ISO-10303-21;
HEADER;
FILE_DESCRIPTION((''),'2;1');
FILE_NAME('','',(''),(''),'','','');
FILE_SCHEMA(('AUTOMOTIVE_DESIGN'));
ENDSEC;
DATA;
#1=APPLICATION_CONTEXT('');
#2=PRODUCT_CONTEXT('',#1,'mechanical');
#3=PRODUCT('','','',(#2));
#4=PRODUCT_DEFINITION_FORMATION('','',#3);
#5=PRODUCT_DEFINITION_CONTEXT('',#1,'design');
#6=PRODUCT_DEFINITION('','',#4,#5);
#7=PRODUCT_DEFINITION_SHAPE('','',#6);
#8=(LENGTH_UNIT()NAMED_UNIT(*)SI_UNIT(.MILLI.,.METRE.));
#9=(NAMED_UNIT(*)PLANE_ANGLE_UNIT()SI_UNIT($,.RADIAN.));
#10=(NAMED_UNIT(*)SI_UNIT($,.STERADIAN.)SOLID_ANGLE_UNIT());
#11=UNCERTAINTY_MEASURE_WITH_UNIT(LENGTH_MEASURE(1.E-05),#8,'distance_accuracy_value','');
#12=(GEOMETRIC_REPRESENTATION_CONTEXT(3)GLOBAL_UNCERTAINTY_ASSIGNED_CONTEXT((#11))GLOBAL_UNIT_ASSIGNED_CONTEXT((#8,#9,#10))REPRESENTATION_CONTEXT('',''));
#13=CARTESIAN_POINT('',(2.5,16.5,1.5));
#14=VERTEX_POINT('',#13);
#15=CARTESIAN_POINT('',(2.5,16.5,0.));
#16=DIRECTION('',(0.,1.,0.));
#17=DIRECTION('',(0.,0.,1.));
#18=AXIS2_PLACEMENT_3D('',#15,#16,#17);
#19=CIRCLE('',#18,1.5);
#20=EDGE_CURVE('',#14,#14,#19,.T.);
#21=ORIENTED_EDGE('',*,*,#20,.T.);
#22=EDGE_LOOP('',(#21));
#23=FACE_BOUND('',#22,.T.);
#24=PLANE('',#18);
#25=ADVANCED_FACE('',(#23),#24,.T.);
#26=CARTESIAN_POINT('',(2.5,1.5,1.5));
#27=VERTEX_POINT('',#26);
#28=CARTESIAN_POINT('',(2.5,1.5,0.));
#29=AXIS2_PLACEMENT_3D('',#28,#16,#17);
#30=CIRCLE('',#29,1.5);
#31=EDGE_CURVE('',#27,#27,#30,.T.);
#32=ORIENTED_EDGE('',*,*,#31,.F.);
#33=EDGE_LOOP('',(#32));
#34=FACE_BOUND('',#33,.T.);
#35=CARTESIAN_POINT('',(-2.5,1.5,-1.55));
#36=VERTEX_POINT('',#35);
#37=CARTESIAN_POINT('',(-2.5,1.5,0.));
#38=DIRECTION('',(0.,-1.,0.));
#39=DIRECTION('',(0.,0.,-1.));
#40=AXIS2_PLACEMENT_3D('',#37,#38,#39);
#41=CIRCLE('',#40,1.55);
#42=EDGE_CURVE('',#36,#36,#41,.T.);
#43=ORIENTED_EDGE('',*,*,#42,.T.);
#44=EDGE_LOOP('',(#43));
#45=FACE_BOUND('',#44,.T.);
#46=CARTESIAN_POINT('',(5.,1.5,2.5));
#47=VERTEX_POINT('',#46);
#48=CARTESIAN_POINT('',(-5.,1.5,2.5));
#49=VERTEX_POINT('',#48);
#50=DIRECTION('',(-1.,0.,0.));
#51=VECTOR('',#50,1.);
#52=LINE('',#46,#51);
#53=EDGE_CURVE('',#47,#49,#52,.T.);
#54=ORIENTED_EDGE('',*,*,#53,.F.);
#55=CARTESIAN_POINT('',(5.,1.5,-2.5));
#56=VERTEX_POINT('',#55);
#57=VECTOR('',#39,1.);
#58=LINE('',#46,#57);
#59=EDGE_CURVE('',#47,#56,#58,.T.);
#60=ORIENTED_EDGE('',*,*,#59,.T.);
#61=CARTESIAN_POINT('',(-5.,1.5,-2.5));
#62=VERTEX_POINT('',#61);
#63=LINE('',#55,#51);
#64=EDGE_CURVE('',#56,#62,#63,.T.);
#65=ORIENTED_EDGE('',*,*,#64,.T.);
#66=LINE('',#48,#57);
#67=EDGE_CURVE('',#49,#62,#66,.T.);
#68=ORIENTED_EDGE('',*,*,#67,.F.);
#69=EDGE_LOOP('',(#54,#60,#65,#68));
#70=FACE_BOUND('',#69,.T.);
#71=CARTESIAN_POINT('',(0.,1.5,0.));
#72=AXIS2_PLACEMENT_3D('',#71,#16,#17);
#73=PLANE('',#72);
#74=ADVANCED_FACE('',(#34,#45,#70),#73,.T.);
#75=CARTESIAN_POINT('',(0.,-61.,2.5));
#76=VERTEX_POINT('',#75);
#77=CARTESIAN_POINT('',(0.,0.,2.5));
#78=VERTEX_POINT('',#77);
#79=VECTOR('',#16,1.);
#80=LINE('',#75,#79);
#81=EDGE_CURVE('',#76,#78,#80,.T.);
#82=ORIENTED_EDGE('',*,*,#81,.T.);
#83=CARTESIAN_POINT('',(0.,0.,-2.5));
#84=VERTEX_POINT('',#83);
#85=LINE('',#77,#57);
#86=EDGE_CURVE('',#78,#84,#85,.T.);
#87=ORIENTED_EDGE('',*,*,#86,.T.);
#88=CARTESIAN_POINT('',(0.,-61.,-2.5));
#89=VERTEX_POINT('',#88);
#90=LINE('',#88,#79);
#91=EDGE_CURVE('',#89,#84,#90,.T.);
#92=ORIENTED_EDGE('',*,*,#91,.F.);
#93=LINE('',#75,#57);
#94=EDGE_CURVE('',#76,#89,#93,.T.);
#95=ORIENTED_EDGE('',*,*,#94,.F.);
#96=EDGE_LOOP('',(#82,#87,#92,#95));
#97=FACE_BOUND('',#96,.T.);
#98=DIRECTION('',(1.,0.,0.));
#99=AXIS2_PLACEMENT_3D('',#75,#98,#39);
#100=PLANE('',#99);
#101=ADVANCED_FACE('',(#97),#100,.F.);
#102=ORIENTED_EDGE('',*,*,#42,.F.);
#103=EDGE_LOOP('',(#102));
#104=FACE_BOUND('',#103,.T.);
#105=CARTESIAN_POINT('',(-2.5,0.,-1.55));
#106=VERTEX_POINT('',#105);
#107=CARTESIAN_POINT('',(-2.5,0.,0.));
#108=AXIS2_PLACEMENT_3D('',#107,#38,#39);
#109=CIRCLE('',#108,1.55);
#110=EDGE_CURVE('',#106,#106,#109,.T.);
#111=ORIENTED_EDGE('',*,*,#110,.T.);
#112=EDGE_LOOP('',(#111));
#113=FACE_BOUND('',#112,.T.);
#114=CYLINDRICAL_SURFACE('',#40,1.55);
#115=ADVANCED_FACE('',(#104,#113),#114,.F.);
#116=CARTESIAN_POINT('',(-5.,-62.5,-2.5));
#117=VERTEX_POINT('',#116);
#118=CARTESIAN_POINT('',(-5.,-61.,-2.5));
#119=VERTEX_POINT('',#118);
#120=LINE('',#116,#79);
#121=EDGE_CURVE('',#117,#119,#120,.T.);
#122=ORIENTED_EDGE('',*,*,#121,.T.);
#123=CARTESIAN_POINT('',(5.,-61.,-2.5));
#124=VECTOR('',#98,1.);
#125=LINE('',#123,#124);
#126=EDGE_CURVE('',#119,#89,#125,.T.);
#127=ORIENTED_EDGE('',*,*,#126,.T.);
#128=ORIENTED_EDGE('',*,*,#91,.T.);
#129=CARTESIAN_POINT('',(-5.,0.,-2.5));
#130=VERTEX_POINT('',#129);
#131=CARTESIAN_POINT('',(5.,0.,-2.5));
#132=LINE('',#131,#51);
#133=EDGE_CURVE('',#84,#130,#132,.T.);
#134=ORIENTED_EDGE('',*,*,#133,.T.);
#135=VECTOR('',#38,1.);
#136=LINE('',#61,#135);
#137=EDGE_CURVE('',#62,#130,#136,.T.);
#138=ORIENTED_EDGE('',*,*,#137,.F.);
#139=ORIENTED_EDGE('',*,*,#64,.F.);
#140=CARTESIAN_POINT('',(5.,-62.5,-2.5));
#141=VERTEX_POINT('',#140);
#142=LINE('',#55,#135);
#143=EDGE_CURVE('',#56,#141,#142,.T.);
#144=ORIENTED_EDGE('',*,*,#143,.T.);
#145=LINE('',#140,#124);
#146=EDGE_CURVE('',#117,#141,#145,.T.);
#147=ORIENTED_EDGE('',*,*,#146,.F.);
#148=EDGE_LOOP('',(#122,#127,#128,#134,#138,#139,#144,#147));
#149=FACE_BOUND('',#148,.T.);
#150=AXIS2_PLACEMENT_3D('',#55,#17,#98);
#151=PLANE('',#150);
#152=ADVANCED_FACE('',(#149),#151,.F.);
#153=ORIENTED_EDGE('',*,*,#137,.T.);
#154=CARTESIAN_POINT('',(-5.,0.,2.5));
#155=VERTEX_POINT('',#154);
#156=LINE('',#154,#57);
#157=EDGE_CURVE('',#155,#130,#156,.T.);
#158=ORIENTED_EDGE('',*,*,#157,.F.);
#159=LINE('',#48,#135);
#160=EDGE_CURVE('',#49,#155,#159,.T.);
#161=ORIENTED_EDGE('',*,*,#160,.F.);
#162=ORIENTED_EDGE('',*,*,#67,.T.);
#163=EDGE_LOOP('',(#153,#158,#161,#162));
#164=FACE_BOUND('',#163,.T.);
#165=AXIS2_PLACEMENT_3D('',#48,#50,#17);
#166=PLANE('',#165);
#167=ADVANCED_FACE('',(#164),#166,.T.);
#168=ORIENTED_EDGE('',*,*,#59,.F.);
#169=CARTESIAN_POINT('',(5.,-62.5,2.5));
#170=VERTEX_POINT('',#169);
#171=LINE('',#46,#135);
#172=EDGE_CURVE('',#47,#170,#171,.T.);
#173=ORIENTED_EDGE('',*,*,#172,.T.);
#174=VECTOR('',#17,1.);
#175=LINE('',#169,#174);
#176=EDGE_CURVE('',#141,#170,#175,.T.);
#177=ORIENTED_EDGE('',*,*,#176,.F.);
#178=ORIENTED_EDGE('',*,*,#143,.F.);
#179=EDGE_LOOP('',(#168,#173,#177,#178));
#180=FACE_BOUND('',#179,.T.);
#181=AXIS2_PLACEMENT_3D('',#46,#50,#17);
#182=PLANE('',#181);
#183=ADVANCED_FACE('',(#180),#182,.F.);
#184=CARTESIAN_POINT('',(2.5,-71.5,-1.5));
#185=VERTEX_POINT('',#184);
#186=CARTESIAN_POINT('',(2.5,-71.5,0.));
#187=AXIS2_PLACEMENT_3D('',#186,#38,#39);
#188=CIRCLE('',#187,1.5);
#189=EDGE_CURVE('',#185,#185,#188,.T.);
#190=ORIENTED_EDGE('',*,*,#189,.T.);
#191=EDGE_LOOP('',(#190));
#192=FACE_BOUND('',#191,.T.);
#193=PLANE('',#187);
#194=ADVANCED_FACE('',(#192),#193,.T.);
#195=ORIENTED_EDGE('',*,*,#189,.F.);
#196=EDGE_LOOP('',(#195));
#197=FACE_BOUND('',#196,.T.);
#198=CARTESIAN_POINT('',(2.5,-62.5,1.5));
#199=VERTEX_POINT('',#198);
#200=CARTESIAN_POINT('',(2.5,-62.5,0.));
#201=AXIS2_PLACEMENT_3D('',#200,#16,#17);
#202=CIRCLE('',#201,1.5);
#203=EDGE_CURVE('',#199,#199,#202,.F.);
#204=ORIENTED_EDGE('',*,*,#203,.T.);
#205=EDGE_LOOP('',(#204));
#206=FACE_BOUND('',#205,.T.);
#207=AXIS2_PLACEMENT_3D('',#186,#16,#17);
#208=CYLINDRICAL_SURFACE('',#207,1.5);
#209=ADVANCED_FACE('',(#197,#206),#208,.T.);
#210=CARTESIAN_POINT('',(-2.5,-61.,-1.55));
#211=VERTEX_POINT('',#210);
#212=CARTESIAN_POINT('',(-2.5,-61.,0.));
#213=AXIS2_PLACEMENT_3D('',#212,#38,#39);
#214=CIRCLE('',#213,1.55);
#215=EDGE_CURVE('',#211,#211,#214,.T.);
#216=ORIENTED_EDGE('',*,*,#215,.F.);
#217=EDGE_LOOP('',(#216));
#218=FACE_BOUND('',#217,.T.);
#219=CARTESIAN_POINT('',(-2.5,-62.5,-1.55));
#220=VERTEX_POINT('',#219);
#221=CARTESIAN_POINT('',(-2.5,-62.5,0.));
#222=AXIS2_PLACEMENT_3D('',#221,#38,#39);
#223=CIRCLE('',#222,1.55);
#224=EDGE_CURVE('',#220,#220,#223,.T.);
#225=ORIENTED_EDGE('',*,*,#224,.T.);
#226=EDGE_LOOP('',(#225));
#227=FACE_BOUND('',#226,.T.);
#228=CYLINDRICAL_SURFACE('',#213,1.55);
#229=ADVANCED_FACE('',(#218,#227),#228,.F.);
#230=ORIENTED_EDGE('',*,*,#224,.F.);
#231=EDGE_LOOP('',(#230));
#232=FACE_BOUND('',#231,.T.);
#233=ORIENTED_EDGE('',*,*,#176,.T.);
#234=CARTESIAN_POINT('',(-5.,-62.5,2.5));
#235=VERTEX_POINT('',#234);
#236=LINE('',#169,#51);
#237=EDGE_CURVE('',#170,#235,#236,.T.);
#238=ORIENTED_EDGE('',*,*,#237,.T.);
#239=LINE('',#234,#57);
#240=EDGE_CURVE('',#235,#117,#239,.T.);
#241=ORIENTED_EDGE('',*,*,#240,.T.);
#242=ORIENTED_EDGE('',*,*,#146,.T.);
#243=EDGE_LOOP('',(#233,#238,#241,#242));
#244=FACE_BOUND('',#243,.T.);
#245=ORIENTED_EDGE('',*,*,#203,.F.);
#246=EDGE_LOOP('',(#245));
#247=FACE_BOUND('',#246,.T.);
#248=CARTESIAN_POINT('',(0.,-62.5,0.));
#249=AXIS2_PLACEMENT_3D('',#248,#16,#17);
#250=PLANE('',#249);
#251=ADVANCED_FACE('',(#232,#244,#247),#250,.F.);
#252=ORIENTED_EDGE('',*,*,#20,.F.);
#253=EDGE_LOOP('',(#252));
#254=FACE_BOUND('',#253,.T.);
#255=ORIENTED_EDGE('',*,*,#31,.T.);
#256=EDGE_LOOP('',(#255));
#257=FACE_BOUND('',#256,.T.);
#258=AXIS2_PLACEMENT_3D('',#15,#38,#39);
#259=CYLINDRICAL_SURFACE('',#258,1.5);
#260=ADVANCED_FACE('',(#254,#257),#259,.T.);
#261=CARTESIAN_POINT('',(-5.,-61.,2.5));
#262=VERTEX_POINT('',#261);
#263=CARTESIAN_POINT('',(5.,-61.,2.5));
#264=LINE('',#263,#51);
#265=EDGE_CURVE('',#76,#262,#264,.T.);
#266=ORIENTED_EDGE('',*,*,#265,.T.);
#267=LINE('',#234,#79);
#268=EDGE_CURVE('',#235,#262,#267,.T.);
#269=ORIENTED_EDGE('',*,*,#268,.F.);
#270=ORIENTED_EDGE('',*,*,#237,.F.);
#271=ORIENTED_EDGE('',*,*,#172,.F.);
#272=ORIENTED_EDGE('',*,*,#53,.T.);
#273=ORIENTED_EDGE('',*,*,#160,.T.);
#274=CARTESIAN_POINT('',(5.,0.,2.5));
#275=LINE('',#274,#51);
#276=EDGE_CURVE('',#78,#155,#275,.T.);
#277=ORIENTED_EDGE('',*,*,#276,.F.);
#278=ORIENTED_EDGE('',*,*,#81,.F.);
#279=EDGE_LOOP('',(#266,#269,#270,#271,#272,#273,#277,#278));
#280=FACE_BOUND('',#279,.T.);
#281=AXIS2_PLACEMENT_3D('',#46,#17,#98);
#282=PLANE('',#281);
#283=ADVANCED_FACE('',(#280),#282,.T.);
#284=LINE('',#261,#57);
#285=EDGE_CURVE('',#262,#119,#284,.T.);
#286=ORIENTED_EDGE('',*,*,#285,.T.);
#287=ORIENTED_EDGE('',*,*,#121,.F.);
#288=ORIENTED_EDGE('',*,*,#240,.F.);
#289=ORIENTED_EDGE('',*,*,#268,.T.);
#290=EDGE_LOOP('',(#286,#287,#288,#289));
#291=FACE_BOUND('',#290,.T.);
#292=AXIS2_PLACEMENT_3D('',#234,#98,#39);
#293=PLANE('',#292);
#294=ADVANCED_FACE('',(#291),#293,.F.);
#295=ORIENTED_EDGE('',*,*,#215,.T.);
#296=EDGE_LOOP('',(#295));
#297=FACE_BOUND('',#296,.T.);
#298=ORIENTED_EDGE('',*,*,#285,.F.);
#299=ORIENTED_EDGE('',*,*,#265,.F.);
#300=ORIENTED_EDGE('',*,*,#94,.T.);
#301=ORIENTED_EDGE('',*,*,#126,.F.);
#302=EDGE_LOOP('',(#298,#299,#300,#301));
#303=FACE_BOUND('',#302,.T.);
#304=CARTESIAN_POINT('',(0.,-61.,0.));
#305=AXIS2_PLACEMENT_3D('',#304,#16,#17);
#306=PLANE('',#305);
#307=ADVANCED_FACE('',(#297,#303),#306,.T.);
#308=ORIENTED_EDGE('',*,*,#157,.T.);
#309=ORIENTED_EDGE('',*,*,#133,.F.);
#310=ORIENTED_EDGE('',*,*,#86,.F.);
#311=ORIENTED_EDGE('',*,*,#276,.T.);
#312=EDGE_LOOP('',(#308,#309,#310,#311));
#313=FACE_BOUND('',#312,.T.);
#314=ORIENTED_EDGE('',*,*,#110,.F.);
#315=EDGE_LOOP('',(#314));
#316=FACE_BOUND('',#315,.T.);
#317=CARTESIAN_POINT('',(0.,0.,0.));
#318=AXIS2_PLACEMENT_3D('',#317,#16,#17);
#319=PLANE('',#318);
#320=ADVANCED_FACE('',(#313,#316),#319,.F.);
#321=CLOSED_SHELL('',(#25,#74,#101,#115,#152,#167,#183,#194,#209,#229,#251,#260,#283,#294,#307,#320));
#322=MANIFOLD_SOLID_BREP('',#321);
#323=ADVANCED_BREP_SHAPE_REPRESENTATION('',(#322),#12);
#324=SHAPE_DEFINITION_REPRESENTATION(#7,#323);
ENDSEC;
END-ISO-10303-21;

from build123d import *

# Parameters (mm, degrees)
SKETCH_2_W          = 10
SKETCH_2_H          = 5
EXTRUDE_1_DEPTH     = 1.5
SKETCH_3_R          = 1.55
CUT_EXTRUDE_1_DEPTH = 1.5
SKETCH_4_W          = 5
SKETCH_4_H          = 5
EXTRUDE_2_DEPTH     = 61
SKETCH_5_W          = 10
SKETCH_5_H          = 5
EXTRUDE_3_DEPTH     = 1.5
SKETCH_6_R          = 1.55
CUT_EXTRUDE_2_DEPTH = 1.5
SKETCH_7_R          = 1.5
EXTRUDE_4_DEPTH     = 15
EXTRUDE_START       = 9
SKETCH_11_R         = 1.5
EXTRUDE_5_DEPTH     = 9


with BuildPart() as part:
    # 草图2 → 凸台-拉伸1 (new body)
    with BuildSketch(Plane(origin=(0, 0, 0), x_dir=(1, 0, 0), z_dir=(0, 1, 0))):
        Rectangle(SKETCH_2_W, SKETCH_2_H)
    extrude(amount=EXTRUDE_1_DEPTH)

    # 草图3 → 切除-拉伸1 (cut)
    with BuildSketch(Plane.XZ):
        with Locations(Location((-2.5, 0, 0), (0, 0, 270))):
            Circle(SKETCH_3_R)
    extrude(amount=-CUT_EXTRUDE_1_DEPTH, mode=Mode.SUBTRACT)

    # 草图4 → 凸台-拉伸2 (add)
    with BuildSketch(Plane.XZ):
        with Locations((2.5, 0)):
            Rectangle(SKETCH_4_W, SKETCH_4_H)
    extrude(amount=EXTRUDE_2_DEPTH)

    # 草图5 → 凸台-拉伸3 (add)
    with BuildSketch(Plane.XZ.offset(61)):
        Rectangle(SKETCH_5_W, SKETCH_5_H)
    extrude(amount=EXTRUDE_3_DEPTH)

    # 草图6 → 切除-拉伸2 (cut)
    with BuildSketch(Plane.XZ.offset(62.5)):
        with Locations(Location((-2.5, 0, 0), (0, 0, 270))):
            Circle(SKETCH_6_R)
    extrude(amount=-CUT_EXTRUDE_2_DEPTH, mode=Mode.SUBTRACT)

    # 草图7 → 凸台-拉伸4 (add)
    with BuildSketch(Plane(origin=(0, 1.5, 0), x_dir=(1, 0, 0), z_dir=(0, 1, 0))):
        with Locations(Location((2.5, 0, 0), (0, 0, 270))):
            Circle(SKETCH_7_R)
    extrude(amount=EXTRUDE_4_DEPTH)

    # 草图11 → 凸台-拉伸5 (add)
    with BuildSketch(Plane.XZ.offset(62.5).offset(EXTRUDE_START)):
        with Locations(Location((2.5, 0, 0), (0, 0, 90))):
            Circle(SKETCH_11_R)
    extrude(amount=-EXTRUDE_5_DEPTH)


solid = part.part
